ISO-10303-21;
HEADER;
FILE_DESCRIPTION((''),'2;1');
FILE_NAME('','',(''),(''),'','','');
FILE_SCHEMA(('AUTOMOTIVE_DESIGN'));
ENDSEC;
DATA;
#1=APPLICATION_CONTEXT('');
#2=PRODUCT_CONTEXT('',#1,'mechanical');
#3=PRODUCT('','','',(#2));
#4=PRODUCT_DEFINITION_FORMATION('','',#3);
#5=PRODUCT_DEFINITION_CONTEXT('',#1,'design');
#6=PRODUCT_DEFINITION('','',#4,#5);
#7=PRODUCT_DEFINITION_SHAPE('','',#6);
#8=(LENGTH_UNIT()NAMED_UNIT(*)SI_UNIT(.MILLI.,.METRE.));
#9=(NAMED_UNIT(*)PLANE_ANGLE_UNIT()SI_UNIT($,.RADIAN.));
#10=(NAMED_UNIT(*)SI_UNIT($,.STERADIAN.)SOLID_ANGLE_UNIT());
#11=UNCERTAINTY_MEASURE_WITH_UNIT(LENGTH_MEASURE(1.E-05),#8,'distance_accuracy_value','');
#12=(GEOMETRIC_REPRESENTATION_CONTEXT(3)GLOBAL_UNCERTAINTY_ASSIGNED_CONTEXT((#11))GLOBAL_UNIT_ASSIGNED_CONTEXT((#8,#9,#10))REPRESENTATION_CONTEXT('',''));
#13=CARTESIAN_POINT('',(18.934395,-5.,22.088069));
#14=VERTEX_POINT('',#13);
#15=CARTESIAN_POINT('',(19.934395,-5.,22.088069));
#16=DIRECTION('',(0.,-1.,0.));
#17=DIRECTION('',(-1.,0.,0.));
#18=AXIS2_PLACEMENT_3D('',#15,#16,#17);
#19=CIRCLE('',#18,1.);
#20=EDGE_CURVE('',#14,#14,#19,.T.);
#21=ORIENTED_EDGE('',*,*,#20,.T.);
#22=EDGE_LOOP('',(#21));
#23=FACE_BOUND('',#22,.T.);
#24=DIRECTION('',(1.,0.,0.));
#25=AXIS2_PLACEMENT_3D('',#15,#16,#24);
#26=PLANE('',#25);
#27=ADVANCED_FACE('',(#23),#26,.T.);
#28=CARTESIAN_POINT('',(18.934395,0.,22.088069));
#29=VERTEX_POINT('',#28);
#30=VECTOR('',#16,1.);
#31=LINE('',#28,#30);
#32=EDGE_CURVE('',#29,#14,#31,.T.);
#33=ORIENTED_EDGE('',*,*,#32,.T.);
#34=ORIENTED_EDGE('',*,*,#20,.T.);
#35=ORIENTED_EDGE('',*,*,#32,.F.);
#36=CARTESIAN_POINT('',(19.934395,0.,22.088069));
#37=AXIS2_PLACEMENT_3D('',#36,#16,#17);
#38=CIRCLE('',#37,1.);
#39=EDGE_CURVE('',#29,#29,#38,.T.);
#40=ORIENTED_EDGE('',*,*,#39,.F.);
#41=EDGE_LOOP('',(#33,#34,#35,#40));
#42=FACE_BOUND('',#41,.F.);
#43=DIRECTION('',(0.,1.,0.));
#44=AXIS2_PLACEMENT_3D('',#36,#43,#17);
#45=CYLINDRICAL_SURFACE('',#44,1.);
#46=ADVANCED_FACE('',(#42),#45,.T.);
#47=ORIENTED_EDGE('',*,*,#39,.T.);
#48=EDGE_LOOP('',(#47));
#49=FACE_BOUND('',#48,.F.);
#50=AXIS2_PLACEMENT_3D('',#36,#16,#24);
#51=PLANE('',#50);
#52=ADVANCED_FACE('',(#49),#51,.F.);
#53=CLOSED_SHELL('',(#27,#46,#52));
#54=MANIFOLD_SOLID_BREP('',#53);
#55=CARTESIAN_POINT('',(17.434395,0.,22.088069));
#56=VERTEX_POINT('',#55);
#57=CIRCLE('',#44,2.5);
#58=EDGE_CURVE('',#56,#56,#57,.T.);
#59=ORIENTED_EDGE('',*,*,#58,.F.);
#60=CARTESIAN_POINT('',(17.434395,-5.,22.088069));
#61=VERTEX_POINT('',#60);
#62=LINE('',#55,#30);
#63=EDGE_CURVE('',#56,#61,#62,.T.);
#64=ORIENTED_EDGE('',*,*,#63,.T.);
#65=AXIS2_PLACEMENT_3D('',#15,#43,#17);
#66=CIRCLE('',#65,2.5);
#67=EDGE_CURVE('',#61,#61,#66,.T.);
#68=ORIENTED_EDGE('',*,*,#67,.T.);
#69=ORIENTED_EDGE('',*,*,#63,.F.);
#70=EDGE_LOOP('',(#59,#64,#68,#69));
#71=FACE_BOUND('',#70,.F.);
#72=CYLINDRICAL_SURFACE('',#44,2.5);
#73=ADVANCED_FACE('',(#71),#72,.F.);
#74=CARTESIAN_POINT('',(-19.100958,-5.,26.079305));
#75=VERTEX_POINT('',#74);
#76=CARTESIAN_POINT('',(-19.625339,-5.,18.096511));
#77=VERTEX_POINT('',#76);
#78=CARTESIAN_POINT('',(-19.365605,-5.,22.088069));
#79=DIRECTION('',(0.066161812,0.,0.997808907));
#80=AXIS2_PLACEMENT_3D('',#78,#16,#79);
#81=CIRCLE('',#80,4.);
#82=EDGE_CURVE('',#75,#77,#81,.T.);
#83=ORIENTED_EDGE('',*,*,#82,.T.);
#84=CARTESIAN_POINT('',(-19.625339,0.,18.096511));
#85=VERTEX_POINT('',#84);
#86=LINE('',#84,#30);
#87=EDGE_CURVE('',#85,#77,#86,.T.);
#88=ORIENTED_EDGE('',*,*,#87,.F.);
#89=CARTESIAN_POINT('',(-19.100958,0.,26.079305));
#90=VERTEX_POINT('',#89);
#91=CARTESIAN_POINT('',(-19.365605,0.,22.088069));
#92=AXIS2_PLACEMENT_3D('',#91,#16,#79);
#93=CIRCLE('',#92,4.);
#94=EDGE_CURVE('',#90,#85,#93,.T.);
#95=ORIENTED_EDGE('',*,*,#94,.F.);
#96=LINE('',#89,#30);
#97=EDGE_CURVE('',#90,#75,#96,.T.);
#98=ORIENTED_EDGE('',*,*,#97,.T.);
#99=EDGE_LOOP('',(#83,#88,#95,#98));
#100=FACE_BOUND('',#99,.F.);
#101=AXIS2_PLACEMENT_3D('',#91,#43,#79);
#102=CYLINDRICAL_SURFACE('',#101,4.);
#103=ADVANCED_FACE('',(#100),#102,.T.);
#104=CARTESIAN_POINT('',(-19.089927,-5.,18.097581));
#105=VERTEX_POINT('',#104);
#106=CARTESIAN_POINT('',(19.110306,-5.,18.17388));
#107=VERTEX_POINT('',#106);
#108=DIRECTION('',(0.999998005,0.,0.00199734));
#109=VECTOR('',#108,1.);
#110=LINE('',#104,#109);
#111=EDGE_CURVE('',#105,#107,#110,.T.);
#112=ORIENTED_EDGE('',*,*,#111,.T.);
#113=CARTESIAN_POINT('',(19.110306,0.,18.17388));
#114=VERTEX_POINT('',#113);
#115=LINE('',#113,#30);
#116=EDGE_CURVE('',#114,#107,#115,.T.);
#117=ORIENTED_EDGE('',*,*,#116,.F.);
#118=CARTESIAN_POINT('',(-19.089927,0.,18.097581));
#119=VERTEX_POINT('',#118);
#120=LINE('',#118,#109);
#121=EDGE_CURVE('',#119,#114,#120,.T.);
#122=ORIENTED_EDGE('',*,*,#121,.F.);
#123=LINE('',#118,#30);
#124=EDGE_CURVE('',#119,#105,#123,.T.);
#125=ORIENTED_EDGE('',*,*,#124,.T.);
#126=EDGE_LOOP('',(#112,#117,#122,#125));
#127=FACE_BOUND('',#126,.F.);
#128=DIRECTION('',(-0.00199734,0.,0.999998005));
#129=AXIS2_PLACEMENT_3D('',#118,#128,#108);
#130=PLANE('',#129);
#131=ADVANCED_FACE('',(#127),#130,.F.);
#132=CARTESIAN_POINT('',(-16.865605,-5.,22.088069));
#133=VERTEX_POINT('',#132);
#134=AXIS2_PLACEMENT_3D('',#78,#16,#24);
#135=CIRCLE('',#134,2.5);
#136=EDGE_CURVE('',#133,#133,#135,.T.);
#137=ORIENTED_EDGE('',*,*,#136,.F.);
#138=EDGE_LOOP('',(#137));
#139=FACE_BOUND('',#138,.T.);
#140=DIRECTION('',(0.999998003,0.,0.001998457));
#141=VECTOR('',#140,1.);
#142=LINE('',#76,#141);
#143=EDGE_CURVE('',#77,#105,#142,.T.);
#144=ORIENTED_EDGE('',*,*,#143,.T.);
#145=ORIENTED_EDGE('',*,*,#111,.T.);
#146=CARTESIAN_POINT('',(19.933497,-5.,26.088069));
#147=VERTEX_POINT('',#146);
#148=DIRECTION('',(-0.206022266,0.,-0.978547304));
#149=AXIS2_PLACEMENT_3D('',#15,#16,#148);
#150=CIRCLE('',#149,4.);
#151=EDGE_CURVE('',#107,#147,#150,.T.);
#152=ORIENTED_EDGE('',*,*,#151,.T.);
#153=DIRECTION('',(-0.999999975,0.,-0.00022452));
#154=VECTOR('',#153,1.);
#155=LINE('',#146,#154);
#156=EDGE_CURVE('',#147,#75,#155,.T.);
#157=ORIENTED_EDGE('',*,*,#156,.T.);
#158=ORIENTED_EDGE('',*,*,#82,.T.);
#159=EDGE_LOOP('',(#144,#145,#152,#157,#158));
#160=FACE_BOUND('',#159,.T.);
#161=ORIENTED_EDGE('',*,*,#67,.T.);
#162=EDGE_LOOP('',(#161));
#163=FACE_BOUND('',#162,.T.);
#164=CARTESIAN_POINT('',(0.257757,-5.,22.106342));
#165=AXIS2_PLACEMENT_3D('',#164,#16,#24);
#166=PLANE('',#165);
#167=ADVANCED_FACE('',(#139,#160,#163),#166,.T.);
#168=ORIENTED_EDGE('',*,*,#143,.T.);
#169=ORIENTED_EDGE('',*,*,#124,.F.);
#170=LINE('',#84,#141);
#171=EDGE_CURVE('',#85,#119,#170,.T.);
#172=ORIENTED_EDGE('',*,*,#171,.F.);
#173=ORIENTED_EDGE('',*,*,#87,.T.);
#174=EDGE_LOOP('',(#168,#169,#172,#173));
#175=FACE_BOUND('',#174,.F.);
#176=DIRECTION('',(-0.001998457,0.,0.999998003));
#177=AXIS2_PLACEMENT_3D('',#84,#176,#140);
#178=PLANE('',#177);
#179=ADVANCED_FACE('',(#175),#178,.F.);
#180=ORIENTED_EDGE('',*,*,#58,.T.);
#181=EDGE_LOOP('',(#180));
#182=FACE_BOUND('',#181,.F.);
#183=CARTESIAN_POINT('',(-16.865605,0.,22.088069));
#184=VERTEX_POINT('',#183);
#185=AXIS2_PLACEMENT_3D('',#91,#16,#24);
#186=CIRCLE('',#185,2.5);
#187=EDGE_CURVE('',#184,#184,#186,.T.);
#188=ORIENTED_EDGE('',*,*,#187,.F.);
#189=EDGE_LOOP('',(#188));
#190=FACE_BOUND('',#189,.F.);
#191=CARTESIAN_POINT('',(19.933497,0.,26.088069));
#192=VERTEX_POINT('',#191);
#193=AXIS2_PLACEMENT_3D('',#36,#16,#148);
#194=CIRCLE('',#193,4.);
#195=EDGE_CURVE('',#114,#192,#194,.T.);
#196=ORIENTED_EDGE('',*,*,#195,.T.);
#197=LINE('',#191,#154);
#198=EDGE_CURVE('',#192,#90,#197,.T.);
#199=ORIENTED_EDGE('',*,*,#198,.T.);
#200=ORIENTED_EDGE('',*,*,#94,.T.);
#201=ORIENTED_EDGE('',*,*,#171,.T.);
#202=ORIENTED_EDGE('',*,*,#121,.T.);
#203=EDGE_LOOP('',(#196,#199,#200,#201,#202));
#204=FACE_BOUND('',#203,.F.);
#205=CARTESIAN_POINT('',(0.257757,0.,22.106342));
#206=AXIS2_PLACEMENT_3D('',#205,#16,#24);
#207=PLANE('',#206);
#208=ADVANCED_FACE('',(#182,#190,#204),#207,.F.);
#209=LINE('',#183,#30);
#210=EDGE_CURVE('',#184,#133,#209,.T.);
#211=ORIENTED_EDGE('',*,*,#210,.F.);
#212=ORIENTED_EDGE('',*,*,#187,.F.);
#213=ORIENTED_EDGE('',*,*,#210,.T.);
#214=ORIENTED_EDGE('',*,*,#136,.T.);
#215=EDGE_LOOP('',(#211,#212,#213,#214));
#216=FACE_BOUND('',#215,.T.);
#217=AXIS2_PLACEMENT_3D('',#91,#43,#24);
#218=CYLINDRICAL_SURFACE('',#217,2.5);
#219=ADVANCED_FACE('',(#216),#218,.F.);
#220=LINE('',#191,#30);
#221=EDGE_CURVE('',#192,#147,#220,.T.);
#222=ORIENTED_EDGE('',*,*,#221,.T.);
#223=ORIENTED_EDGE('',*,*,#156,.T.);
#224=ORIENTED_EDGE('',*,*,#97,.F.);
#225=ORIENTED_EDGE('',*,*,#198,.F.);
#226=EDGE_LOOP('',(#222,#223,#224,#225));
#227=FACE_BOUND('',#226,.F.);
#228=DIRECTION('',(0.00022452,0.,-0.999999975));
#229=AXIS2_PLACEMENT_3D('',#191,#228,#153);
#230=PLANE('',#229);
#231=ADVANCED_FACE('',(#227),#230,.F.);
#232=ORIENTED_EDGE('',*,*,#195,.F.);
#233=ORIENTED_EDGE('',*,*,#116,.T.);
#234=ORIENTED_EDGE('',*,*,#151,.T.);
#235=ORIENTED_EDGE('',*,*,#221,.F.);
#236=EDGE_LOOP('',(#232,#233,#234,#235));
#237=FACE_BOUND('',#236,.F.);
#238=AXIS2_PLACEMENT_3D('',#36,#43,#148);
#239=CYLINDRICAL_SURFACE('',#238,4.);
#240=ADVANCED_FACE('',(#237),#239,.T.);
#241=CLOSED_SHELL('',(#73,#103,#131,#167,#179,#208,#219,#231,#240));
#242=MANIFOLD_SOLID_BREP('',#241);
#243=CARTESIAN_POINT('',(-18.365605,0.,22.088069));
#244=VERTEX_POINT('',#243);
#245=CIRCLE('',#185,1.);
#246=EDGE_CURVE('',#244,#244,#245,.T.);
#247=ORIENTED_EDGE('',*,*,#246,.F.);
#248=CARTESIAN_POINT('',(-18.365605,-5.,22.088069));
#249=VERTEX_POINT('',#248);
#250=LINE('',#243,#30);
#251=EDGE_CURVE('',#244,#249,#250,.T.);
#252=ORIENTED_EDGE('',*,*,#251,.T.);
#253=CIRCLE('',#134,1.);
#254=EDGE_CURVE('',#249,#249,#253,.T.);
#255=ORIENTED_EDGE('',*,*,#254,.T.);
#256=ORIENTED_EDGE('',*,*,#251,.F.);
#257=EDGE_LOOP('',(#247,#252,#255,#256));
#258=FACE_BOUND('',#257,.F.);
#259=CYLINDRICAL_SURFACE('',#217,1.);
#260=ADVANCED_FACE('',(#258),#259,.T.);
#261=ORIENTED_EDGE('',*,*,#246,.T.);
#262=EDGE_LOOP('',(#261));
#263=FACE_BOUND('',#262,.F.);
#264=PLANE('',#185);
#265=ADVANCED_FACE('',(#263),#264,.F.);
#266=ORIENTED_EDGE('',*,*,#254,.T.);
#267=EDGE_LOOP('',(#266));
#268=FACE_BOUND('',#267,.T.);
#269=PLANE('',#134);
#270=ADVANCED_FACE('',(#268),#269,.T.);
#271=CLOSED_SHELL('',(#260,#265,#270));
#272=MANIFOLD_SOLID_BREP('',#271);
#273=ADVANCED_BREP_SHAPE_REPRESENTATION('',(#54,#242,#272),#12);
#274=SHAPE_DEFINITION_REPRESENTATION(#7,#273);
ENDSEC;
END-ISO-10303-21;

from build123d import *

# Parameters (mm, degrees)
F0_R     = 2.5
F1_DEPTH = 5
F0_R_2   = 1
F2_DEPTH = 5


with BuildPart() as f1:
    # F0 (on Front) → F1 (new body)
    with BuildSketch(Plane.XZ):
        with BuildLine():
            Line((19.933497, 26.088069), (-19.100958, 26.079305))
            ThreePointArc((-19.100958, 26.079305), (-23.357003, 22.35026), (-19.625339, 18.096511))
            Line((-19.625339, 18.096511), (-19.089927, 18.097581))
            Line((-19.089927, 18.097581), (19.110306, 18.17388))
            ThreePointArc((19.110306, 18.17388), (23.912931, 21.674244), (19.933497, 26.088069))
        make_face()
        with Locations((-19.365605, 22.088069)):
            Circle(F0_R, mode=Mode.SUBTRACT)
        with BuildLine():
            ThreePointArc((22.434395, 22.088069), (19.934395, 19.588069), (17.434395, 22.088069))
            ThreePointArc((17.434395, 22.088069), (19.934395, 24.588069), (22.434395, 22.088069))
        make_face(mode=Mode.SUBTRACT)
    extrude(amount=F1_DEPTH)


with BuildPart() as f2:
    # F0 (on Front) → F2 (new body)
    with BuildSketch(Plane.XZ):
        with Locations((-19.365605, 22.088069)):
            Circle(F0_R_2)
        with BuildLine():
            ThreePointArc((20.934395, 22.088069), (19.934395, 23.088069), (18.934395, 22.088069))
            ThreePointArc((18.934395, 22.088069), (19.934395, 21.088069), (20.934395, 22.088069))
        make_face()
    extrude(amount=F2_DEPTH)


solid = Compound([f1.part, f2.part])
